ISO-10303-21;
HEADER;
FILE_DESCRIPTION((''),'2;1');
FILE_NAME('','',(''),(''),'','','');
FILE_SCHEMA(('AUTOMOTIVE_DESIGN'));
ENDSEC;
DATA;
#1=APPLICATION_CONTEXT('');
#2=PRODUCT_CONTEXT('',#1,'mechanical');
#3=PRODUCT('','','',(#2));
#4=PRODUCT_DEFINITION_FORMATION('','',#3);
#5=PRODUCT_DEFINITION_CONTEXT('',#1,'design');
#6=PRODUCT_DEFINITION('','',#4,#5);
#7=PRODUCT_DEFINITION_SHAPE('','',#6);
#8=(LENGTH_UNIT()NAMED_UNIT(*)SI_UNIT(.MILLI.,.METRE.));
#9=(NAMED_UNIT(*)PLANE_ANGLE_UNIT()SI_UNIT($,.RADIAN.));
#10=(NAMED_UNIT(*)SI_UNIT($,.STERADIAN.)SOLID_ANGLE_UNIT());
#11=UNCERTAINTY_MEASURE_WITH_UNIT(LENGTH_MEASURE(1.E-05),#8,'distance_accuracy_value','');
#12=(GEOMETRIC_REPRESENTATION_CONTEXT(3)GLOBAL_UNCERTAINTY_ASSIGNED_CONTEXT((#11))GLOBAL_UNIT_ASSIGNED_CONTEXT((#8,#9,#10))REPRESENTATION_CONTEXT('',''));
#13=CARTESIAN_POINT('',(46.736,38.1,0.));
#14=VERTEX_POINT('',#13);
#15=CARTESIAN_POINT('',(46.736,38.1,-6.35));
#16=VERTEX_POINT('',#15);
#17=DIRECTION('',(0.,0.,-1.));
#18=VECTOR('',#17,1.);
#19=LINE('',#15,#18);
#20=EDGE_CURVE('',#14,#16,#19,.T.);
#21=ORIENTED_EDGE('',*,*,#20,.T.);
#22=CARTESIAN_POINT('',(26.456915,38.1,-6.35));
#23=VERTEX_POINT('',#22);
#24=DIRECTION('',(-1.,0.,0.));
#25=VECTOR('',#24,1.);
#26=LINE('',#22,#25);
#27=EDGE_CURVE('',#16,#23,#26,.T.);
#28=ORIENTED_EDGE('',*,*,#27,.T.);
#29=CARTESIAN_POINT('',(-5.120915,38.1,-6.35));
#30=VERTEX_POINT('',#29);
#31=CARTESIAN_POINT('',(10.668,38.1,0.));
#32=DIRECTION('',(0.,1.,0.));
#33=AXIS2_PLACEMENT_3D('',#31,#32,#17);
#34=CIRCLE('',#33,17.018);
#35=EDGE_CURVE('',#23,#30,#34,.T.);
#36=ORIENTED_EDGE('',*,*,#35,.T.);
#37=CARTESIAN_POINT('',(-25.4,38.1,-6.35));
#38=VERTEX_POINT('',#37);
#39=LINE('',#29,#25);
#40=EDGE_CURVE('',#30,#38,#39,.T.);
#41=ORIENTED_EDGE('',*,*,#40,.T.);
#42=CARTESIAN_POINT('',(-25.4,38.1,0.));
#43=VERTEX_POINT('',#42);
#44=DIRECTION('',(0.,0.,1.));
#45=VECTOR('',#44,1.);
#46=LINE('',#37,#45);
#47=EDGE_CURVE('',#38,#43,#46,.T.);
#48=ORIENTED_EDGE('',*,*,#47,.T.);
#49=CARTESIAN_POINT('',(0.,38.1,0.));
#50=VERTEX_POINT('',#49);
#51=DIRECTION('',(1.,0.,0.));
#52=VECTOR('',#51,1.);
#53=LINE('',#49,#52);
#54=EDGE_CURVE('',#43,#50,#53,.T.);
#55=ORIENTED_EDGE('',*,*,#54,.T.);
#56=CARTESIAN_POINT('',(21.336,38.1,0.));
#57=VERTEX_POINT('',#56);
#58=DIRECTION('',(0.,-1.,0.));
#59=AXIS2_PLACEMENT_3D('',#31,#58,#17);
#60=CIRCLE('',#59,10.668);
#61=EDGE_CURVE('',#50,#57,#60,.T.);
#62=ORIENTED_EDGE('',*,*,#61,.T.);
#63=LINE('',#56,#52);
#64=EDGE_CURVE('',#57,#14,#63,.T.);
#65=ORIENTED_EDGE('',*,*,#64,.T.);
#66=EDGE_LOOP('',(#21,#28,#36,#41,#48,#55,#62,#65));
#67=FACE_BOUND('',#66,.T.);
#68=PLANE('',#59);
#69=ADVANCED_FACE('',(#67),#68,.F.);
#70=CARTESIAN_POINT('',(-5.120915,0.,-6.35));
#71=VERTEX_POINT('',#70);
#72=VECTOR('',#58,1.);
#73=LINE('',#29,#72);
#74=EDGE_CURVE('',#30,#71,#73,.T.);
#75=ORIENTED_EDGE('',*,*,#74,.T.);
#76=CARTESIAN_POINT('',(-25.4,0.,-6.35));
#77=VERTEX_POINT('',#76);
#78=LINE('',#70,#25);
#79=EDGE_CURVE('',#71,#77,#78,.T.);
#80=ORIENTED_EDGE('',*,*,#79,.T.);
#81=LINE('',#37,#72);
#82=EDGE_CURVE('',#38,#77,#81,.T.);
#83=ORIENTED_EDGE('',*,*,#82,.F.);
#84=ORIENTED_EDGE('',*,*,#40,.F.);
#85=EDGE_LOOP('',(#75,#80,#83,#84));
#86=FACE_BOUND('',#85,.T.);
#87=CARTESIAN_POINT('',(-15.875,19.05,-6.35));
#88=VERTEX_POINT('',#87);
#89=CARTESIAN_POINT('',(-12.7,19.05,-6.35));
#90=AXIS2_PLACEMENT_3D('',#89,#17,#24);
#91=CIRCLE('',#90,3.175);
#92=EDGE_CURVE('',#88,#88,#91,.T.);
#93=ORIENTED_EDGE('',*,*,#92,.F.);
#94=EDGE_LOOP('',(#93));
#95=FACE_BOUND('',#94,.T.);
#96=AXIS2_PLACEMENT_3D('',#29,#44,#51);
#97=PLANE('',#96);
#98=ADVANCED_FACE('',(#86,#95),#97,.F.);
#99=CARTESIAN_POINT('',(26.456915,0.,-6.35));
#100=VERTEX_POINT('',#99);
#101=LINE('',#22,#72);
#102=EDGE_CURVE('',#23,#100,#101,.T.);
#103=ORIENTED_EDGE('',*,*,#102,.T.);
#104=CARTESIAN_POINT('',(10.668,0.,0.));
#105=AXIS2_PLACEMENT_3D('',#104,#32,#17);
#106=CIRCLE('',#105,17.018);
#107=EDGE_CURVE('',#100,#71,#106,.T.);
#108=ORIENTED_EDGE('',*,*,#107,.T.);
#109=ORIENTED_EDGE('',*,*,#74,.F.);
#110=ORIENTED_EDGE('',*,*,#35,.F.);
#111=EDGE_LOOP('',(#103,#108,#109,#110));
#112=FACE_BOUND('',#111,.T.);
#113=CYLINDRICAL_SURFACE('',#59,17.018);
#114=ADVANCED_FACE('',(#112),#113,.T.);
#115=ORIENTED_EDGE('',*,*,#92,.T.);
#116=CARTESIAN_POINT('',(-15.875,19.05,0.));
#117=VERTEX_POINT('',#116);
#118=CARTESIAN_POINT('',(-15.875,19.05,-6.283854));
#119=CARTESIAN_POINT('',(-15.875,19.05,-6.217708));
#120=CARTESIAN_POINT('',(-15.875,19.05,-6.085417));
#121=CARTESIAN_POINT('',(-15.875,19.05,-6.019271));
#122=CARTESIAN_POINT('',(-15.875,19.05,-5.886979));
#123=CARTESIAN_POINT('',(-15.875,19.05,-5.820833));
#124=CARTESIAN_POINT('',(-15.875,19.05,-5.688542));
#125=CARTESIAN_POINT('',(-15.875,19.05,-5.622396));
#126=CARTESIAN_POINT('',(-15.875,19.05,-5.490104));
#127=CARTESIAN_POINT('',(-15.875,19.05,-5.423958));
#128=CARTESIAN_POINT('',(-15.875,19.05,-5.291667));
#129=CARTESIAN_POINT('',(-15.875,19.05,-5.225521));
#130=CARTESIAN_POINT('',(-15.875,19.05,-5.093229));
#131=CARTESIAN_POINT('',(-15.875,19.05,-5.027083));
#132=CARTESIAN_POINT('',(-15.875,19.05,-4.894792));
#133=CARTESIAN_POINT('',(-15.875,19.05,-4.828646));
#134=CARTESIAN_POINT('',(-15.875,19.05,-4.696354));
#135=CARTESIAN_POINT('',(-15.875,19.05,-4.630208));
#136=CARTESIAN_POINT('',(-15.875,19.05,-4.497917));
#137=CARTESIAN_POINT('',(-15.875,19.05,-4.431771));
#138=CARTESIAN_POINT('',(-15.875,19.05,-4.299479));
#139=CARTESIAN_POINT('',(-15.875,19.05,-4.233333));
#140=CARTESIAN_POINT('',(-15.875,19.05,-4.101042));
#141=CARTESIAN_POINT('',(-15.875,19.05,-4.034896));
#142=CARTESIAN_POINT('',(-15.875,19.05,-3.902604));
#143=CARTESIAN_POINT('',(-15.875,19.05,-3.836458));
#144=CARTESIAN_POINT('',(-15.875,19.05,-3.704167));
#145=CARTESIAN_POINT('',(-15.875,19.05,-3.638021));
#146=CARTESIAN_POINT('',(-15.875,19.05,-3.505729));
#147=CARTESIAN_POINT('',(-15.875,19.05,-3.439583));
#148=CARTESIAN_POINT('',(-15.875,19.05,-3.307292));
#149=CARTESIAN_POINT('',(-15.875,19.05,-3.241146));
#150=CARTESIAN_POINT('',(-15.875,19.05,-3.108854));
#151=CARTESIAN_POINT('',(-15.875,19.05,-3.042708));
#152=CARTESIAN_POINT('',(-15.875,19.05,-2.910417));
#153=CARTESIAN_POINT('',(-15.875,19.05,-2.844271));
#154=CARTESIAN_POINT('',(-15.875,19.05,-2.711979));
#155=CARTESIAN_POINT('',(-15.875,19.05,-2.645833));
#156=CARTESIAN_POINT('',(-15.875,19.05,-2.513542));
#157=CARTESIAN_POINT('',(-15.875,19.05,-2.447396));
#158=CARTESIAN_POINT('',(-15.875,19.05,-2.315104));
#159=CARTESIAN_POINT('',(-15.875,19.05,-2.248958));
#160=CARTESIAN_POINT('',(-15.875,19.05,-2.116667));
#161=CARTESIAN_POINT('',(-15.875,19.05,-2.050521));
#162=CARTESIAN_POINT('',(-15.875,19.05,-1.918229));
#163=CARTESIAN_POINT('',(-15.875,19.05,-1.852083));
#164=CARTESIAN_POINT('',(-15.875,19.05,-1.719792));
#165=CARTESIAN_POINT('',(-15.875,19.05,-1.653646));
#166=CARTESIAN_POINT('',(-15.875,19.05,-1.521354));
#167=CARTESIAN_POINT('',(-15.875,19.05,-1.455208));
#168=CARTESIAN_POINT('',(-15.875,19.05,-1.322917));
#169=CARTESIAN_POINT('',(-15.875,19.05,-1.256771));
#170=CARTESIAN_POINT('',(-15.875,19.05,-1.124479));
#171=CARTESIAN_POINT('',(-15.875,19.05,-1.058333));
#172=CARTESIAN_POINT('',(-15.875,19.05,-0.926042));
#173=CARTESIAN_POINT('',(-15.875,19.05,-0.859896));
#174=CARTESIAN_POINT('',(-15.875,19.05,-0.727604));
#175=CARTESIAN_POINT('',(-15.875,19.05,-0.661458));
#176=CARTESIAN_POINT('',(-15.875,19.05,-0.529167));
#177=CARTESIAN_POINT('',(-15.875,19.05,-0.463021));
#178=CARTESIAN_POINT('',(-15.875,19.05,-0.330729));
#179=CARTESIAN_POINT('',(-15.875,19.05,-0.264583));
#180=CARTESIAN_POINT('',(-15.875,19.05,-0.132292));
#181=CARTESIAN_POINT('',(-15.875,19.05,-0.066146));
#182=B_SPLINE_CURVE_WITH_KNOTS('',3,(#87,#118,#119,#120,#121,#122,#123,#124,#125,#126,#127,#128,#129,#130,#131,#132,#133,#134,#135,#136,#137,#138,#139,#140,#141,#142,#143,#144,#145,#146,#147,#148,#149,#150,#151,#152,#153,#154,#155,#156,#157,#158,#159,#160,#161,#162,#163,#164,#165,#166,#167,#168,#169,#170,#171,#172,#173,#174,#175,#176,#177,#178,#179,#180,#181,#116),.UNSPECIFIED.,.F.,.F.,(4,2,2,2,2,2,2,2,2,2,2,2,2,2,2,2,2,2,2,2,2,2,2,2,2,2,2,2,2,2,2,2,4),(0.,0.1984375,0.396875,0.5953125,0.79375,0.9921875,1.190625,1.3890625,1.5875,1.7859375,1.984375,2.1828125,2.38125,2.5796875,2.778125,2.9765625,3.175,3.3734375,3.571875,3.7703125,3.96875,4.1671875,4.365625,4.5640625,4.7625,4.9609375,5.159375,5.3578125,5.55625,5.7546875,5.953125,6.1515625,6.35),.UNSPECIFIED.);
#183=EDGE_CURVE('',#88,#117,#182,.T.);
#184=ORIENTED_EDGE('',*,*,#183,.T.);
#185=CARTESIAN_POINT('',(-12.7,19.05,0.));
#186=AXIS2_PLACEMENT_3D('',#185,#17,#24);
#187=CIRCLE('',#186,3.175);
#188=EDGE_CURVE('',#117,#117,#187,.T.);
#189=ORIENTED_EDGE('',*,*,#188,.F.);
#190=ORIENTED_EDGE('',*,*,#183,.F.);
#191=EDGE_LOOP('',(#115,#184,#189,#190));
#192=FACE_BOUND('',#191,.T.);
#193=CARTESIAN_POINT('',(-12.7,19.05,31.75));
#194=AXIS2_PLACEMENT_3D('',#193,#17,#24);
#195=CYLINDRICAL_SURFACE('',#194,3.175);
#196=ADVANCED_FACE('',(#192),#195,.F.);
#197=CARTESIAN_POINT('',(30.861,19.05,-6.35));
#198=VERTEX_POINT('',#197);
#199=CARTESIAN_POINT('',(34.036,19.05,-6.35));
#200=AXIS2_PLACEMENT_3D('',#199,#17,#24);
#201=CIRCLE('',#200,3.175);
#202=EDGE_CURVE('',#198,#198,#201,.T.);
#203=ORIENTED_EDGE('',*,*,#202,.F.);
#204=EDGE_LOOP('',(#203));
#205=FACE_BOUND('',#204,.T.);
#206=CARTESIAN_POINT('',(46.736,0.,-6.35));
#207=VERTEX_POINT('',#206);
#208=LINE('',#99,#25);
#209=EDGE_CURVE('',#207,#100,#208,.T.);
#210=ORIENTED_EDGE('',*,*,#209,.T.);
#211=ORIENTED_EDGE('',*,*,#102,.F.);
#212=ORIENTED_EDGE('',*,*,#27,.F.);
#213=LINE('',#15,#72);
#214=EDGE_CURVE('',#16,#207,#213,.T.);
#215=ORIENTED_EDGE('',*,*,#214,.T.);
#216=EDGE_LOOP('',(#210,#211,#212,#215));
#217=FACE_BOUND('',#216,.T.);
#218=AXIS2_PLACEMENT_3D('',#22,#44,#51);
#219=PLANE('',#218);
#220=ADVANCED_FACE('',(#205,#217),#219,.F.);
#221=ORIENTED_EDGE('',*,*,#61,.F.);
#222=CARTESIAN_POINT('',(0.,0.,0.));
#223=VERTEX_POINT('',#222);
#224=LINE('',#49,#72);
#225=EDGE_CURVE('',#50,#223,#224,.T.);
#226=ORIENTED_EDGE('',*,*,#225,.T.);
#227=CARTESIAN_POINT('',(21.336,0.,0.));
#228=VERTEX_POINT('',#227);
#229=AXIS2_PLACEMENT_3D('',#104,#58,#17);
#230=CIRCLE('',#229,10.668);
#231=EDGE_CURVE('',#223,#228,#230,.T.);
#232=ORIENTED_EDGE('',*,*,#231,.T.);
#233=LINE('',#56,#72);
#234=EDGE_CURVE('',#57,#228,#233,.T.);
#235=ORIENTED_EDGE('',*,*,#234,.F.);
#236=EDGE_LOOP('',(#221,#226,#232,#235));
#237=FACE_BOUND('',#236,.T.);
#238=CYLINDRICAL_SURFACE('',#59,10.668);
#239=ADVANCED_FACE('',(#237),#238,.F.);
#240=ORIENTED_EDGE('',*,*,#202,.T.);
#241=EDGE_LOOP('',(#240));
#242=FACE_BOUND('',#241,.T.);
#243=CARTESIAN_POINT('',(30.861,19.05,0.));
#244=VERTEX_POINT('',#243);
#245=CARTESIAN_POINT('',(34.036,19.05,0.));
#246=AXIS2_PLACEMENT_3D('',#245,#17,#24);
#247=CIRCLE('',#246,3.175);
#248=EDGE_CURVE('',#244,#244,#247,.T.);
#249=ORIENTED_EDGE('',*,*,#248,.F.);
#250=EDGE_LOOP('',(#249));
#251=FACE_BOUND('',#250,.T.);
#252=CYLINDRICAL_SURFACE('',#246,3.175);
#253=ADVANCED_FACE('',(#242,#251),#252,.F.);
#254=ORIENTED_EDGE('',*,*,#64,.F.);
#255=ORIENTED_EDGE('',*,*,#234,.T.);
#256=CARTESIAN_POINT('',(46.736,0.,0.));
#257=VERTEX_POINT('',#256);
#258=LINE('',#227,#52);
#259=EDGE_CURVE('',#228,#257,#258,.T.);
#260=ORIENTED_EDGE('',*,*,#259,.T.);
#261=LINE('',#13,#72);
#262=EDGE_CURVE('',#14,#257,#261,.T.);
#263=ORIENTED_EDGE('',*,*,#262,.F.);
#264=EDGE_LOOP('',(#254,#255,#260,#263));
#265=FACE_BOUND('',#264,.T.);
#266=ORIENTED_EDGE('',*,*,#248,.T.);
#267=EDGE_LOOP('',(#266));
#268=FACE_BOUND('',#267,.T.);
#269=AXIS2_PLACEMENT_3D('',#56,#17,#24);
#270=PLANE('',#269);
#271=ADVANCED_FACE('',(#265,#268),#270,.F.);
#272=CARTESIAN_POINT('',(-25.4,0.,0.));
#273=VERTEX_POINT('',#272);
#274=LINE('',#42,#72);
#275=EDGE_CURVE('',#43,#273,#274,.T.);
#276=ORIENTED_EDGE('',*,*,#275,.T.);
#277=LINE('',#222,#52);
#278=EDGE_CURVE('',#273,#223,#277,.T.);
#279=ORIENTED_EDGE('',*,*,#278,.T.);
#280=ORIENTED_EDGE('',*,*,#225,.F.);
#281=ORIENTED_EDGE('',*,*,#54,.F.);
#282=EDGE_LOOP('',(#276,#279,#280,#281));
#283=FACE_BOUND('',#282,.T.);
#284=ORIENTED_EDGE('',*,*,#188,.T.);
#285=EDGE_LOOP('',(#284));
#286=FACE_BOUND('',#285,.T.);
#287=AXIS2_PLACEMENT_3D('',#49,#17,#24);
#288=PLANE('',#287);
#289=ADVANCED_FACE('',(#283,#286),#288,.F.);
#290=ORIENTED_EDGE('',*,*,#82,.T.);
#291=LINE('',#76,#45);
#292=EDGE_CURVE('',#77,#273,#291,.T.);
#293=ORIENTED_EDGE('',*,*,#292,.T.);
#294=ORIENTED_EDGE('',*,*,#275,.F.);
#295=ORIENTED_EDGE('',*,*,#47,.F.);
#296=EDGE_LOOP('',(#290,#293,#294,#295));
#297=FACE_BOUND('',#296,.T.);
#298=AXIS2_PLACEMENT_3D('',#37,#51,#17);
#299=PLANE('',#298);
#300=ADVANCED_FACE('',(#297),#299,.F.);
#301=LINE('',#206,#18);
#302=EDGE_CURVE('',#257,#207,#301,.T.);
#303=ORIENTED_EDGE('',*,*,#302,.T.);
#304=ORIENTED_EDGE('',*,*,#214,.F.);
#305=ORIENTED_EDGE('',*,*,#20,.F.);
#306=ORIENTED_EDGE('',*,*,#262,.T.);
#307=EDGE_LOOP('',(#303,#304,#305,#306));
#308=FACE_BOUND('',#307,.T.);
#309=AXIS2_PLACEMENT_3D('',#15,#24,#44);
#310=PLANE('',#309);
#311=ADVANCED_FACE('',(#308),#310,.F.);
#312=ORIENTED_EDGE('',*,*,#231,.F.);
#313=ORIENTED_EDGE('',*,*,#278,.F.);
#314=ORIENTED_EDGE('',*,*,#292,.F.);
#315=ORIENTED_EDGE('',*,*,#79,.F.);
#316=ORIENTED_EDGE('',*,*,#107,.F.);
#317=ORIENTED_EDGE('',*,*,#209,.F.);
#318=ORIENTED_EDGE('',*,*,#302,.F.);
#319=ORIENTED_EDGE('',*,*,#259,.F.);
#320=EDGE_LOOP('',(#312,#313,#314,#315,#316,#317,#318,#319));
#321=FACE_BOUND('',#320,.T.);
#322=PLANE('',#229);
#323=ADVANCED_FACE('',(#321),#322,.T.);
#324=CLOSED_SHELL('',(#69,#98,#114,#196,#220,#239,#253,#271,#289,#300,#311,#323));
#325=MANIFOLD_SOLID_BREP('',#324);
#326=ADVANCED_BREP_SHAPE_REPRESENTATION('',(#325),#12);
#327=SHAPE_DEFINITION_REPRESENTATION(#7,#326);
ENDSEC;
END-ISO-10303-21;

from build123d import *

# Parameters (mm, degrees)
BOSS_EXTRUDE1_DEPTH = 38.1
SKETCH2_R           = 3.175
CUT_EXTRUDE1_DEPTH  = 38.1
SKETCH3_R           = 3.175
CUT_EXTRUDE2_DEPTH  = 62.234548418


with BuildPart() as part:
    # Sketch1 → Boss-Extrude1 (new body)
    with BuildSketch(Plane(origin=(0, 0, 0), x_dir=(1, 0, 0), z_dir=(0, 1, 0))):
        with BuildLine():
            Line((0, 0), (-25.4, 0))
            Line((-25.4, 0), (-25.4, 6.35))
            Line((-25.4, 6.35), (-5.120914592, 6.35))
            ThreePointArc((-5.120914592, 6.35), (10.668, 17.018), (26.456914592, 6.35))
            Line((26.456914592, 6.35), (46.736, 6.35))
            Line((46.736, 6.35), (46.736, 0))
            Line((46.736, 0), (21.336, 0))
            ThreePointArc((21.336, 0), (10.668, 10.668), (0, 0))
        make_face()
    extrude(amount=BOSS_EXTRUDE1_DEPTH)

    # Sketch2 → Cut-Extrude1 (cut)
    with BuildSketch(Plane(origin=(0, 0, -6.35), x_dir=(-1, 0, 0), z_dir=(0, 0, -1))):
        with Locations((12.7, 19.05)):
            Circle(SKETCH2_R)
    extrude(amount=-CUT_EXTRUDE1_DEPTH, mode=Mode.SUBTRACT)

    # Sketch3 → Cut-Extrude2 (cut, through all)
    with BuildSketch(Plane(origin=(0, 0, -6.35), x_dir=(-1, 0, 0), z_dir=(0, 0, -1))):
        with Locations((-34.036, 19.05)):
            Circle(SKETCH3_R)
    extrude(amount=-CUT_EXTRUDE2_DEPTH, mode=Mode.SUBTRACT)


solid = part.part
